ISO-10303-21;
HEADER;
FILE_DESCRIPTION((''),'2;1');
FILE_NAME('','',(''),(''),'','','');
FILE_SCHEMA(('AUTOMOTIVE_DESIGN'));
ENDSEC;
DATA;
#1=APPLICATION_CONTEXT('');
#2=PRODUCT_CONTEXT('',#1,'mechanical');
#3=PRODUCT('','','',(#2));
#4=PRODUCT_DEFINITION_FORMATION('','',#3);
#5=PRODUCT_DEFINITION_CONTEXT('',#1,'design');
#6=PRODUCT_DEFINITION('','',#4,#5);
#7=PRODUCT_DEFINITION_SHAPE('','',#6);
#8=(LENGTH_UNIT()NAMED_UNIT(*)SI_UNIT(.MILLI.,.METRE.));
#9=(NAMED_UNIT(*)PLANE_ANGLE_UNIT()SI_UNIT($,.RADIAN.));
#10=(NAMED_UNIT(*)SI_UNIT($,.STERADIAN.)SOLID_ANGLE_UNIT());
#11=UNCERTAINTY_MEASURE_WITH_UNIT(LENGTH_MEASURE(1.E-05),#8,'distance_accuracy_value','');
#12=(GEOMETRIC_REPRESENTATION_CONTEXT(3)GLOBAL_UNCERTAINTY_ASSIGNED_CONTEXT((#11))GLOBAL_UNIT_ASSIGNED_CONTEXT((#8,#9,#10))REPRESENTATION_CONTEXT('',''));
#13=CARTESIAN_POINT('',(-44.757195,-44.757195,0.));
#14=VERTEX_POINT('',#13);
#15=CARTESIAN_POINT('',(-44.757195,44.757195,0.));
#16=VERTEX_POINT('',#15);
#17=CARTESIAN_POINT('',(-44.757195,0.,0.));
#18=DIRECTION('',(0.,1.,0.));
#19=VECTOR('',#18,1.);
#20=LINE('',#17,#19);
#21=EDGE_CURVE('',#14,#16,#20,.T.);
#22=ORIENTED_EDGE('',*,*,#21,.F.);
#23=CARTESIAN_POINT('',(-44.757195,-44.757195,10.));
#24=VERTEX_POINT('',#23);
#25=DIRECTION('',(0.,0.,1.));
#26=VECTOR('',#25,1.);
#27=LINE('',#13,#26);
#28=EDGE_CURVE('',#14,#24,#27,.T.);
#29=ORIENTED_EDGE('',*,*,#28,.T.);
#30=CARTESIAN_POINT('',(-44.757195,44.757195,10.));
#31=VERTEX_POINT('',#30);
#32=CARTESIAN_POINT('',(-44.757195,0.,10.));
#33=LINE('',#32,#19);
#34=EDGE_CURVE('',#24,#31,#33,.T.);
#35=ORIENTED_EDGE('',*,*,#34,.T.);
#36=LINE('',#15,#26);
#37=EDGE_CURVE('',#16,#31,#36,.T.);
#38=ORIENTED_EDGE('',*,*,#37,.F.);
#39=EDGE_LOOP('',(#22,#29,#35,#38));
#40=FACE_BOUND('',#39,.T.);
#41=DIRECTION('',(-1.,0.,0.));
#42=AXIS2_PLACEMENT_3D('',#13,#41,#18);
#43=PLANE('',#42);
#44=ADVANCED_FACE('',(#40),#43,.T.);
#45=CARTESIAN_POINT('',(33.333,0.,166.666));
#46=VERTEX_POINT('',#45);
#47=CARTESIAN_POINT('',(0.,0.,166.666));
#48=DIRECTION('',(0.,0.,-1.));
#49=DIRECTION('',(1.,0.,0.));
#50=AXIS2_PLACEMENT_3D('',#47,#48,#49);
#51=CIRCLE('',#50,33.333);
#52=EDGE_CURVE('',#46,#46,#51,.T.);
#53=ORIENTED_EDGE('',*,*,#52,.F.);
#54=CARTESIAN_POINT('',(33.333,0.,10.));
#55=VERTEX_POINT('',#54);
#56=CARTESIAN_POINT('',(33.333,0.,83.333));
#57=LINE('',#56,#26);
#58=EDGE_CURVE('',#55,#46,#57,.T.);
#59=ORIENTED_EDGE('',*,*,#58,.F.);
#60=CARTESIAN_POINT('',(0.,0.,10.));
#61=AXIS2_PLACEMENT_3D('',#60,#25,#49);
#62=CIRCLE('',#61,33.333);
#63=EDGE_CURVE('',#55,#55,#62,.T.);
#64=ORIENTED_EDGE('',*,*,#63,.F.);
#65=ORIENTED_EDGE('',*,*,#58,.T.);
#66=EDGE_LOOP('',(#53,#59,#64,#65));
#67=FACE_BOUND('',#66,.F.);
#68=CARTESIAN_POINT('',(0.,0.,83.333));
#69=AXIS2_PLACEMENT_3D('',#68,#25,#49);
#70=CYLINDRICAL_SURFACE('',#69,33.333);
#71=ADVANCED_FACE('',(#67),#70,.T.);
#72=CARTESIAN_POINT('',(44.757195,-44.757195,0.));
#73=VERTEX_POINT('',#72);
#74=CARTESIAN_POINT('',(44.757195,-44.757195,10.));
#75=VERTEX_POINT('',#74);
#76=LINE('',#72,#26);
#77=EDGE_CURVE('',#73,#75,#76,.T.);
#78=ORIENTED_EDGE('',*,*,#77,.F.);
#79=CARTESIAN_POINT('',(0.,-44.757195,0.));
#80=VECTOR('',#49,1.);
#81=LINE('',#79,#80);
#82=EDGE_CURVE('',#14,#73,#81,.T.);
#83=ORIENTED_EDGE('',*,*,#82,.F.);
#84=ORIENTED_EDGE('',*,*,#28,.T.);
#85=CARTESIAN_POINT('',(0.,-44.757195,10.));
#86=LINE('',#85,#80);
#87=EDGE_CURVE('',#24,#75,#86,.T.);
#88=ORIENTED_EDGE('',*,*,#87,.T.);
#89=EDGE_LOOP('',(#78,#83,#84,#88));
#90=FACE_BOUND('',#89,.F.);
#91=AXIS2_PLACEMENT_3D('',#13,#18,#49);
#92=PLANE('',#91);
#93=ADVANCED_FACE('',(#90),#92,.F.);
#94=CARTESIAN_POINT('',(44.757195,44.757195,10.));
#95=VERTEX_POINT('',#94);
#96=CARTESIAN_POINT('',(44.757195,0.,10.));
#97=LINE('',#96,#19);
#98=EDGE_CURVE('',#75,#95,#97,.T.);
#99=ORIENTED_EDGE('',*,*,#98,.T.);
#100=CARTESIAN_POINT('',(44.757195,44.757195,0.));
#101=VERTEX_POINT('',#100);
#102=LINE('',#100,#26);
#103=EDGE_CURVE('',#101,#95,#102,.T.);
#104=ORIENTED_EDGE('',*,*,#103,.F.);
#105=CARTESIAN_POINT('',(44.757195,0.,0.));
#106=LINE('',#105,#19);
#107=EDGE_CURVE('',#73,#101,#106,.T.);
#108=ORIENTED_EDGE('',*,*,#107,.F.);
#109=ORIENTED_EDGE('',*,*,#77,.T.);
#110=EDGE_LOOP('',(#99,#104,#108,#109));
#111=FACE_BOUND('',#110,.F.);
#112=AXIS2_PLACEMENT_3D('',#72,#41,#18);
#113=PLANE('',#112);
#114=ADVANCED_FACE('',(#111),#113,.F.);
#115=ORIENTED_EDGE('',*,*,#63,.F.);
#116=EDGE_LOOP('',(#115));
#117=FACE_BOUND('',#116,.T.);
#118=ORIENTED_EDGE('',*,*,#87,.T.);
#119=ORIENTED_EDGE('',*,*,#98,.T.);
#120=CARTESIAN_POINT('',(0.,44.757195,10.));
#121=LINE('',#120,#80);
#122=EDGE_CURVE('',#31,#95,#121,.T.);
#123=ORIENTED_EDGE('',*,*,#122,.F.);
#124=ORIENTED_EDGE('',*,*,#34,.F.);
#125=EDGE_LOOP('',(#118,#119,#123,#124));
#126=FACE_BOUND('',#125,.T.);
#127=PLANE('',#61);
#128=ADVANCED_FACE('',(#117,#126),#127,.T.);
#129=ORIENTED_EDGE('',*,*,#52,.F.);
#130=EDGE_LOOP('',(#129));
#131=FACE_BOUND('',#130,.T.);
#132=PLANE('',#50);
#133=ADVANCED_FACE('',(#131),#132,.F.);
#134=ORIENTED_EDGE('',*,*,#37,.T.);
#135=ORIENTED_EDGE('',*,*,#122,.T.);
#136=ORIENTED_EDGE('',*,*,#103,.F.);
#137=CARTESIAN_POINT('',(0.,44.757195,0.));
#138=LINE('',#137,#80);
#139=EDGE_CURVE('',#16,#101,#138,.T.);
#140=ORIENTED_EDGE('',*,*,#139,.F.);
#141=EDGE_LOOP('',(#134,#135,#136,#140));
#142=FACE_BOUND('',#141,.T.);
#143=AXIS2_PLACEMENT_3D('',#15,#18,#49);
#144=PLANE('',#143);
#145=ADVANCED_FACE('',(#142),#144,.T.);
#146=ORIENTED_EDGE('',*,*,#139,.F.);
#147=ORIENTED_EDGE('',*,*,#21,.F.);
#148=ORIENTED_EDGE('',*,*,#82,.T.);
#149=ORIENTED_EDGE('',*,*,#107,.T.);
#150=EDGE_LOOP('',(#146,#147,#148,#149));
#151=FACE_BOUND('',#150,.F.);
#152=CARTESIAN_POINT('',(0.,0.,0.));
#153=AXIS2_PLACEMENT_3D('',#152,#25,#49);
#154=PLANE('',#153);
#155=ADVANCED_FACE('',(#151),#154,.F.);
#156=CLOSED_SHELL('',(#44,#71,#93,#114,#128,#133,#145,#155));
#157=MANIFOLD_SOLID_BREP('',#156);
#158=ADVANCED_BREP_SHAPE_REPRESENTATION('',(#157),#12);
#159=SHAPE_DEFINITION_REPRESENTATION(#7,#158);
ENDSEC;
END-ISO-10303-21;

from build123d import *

# Parameters (mm, degrees)
F0_W     = 33.333
F0_H     = 166.666
F2_W     = 89.51439
F2_H     = 89.51439
F3_DEPTH = 10


with BuildPart() as f1:
    # F0 (on Front) → F1 (revolve)
    with BuildSketch(Plane.XZ):
        with Locations((16.6665, 83.333)):
            Rectangle(F0_W, F0_H)
    revolve(axis=Axis((0, 0, 83.333), (0, 0, -1)))

    # F2 (on Top) → F3 (join)
    with BuildSketch(Plane.XY):
        Rectangle(F2_W, F2_H)
    extrude(amount=F3_DEPTH)


solid = f1.part
